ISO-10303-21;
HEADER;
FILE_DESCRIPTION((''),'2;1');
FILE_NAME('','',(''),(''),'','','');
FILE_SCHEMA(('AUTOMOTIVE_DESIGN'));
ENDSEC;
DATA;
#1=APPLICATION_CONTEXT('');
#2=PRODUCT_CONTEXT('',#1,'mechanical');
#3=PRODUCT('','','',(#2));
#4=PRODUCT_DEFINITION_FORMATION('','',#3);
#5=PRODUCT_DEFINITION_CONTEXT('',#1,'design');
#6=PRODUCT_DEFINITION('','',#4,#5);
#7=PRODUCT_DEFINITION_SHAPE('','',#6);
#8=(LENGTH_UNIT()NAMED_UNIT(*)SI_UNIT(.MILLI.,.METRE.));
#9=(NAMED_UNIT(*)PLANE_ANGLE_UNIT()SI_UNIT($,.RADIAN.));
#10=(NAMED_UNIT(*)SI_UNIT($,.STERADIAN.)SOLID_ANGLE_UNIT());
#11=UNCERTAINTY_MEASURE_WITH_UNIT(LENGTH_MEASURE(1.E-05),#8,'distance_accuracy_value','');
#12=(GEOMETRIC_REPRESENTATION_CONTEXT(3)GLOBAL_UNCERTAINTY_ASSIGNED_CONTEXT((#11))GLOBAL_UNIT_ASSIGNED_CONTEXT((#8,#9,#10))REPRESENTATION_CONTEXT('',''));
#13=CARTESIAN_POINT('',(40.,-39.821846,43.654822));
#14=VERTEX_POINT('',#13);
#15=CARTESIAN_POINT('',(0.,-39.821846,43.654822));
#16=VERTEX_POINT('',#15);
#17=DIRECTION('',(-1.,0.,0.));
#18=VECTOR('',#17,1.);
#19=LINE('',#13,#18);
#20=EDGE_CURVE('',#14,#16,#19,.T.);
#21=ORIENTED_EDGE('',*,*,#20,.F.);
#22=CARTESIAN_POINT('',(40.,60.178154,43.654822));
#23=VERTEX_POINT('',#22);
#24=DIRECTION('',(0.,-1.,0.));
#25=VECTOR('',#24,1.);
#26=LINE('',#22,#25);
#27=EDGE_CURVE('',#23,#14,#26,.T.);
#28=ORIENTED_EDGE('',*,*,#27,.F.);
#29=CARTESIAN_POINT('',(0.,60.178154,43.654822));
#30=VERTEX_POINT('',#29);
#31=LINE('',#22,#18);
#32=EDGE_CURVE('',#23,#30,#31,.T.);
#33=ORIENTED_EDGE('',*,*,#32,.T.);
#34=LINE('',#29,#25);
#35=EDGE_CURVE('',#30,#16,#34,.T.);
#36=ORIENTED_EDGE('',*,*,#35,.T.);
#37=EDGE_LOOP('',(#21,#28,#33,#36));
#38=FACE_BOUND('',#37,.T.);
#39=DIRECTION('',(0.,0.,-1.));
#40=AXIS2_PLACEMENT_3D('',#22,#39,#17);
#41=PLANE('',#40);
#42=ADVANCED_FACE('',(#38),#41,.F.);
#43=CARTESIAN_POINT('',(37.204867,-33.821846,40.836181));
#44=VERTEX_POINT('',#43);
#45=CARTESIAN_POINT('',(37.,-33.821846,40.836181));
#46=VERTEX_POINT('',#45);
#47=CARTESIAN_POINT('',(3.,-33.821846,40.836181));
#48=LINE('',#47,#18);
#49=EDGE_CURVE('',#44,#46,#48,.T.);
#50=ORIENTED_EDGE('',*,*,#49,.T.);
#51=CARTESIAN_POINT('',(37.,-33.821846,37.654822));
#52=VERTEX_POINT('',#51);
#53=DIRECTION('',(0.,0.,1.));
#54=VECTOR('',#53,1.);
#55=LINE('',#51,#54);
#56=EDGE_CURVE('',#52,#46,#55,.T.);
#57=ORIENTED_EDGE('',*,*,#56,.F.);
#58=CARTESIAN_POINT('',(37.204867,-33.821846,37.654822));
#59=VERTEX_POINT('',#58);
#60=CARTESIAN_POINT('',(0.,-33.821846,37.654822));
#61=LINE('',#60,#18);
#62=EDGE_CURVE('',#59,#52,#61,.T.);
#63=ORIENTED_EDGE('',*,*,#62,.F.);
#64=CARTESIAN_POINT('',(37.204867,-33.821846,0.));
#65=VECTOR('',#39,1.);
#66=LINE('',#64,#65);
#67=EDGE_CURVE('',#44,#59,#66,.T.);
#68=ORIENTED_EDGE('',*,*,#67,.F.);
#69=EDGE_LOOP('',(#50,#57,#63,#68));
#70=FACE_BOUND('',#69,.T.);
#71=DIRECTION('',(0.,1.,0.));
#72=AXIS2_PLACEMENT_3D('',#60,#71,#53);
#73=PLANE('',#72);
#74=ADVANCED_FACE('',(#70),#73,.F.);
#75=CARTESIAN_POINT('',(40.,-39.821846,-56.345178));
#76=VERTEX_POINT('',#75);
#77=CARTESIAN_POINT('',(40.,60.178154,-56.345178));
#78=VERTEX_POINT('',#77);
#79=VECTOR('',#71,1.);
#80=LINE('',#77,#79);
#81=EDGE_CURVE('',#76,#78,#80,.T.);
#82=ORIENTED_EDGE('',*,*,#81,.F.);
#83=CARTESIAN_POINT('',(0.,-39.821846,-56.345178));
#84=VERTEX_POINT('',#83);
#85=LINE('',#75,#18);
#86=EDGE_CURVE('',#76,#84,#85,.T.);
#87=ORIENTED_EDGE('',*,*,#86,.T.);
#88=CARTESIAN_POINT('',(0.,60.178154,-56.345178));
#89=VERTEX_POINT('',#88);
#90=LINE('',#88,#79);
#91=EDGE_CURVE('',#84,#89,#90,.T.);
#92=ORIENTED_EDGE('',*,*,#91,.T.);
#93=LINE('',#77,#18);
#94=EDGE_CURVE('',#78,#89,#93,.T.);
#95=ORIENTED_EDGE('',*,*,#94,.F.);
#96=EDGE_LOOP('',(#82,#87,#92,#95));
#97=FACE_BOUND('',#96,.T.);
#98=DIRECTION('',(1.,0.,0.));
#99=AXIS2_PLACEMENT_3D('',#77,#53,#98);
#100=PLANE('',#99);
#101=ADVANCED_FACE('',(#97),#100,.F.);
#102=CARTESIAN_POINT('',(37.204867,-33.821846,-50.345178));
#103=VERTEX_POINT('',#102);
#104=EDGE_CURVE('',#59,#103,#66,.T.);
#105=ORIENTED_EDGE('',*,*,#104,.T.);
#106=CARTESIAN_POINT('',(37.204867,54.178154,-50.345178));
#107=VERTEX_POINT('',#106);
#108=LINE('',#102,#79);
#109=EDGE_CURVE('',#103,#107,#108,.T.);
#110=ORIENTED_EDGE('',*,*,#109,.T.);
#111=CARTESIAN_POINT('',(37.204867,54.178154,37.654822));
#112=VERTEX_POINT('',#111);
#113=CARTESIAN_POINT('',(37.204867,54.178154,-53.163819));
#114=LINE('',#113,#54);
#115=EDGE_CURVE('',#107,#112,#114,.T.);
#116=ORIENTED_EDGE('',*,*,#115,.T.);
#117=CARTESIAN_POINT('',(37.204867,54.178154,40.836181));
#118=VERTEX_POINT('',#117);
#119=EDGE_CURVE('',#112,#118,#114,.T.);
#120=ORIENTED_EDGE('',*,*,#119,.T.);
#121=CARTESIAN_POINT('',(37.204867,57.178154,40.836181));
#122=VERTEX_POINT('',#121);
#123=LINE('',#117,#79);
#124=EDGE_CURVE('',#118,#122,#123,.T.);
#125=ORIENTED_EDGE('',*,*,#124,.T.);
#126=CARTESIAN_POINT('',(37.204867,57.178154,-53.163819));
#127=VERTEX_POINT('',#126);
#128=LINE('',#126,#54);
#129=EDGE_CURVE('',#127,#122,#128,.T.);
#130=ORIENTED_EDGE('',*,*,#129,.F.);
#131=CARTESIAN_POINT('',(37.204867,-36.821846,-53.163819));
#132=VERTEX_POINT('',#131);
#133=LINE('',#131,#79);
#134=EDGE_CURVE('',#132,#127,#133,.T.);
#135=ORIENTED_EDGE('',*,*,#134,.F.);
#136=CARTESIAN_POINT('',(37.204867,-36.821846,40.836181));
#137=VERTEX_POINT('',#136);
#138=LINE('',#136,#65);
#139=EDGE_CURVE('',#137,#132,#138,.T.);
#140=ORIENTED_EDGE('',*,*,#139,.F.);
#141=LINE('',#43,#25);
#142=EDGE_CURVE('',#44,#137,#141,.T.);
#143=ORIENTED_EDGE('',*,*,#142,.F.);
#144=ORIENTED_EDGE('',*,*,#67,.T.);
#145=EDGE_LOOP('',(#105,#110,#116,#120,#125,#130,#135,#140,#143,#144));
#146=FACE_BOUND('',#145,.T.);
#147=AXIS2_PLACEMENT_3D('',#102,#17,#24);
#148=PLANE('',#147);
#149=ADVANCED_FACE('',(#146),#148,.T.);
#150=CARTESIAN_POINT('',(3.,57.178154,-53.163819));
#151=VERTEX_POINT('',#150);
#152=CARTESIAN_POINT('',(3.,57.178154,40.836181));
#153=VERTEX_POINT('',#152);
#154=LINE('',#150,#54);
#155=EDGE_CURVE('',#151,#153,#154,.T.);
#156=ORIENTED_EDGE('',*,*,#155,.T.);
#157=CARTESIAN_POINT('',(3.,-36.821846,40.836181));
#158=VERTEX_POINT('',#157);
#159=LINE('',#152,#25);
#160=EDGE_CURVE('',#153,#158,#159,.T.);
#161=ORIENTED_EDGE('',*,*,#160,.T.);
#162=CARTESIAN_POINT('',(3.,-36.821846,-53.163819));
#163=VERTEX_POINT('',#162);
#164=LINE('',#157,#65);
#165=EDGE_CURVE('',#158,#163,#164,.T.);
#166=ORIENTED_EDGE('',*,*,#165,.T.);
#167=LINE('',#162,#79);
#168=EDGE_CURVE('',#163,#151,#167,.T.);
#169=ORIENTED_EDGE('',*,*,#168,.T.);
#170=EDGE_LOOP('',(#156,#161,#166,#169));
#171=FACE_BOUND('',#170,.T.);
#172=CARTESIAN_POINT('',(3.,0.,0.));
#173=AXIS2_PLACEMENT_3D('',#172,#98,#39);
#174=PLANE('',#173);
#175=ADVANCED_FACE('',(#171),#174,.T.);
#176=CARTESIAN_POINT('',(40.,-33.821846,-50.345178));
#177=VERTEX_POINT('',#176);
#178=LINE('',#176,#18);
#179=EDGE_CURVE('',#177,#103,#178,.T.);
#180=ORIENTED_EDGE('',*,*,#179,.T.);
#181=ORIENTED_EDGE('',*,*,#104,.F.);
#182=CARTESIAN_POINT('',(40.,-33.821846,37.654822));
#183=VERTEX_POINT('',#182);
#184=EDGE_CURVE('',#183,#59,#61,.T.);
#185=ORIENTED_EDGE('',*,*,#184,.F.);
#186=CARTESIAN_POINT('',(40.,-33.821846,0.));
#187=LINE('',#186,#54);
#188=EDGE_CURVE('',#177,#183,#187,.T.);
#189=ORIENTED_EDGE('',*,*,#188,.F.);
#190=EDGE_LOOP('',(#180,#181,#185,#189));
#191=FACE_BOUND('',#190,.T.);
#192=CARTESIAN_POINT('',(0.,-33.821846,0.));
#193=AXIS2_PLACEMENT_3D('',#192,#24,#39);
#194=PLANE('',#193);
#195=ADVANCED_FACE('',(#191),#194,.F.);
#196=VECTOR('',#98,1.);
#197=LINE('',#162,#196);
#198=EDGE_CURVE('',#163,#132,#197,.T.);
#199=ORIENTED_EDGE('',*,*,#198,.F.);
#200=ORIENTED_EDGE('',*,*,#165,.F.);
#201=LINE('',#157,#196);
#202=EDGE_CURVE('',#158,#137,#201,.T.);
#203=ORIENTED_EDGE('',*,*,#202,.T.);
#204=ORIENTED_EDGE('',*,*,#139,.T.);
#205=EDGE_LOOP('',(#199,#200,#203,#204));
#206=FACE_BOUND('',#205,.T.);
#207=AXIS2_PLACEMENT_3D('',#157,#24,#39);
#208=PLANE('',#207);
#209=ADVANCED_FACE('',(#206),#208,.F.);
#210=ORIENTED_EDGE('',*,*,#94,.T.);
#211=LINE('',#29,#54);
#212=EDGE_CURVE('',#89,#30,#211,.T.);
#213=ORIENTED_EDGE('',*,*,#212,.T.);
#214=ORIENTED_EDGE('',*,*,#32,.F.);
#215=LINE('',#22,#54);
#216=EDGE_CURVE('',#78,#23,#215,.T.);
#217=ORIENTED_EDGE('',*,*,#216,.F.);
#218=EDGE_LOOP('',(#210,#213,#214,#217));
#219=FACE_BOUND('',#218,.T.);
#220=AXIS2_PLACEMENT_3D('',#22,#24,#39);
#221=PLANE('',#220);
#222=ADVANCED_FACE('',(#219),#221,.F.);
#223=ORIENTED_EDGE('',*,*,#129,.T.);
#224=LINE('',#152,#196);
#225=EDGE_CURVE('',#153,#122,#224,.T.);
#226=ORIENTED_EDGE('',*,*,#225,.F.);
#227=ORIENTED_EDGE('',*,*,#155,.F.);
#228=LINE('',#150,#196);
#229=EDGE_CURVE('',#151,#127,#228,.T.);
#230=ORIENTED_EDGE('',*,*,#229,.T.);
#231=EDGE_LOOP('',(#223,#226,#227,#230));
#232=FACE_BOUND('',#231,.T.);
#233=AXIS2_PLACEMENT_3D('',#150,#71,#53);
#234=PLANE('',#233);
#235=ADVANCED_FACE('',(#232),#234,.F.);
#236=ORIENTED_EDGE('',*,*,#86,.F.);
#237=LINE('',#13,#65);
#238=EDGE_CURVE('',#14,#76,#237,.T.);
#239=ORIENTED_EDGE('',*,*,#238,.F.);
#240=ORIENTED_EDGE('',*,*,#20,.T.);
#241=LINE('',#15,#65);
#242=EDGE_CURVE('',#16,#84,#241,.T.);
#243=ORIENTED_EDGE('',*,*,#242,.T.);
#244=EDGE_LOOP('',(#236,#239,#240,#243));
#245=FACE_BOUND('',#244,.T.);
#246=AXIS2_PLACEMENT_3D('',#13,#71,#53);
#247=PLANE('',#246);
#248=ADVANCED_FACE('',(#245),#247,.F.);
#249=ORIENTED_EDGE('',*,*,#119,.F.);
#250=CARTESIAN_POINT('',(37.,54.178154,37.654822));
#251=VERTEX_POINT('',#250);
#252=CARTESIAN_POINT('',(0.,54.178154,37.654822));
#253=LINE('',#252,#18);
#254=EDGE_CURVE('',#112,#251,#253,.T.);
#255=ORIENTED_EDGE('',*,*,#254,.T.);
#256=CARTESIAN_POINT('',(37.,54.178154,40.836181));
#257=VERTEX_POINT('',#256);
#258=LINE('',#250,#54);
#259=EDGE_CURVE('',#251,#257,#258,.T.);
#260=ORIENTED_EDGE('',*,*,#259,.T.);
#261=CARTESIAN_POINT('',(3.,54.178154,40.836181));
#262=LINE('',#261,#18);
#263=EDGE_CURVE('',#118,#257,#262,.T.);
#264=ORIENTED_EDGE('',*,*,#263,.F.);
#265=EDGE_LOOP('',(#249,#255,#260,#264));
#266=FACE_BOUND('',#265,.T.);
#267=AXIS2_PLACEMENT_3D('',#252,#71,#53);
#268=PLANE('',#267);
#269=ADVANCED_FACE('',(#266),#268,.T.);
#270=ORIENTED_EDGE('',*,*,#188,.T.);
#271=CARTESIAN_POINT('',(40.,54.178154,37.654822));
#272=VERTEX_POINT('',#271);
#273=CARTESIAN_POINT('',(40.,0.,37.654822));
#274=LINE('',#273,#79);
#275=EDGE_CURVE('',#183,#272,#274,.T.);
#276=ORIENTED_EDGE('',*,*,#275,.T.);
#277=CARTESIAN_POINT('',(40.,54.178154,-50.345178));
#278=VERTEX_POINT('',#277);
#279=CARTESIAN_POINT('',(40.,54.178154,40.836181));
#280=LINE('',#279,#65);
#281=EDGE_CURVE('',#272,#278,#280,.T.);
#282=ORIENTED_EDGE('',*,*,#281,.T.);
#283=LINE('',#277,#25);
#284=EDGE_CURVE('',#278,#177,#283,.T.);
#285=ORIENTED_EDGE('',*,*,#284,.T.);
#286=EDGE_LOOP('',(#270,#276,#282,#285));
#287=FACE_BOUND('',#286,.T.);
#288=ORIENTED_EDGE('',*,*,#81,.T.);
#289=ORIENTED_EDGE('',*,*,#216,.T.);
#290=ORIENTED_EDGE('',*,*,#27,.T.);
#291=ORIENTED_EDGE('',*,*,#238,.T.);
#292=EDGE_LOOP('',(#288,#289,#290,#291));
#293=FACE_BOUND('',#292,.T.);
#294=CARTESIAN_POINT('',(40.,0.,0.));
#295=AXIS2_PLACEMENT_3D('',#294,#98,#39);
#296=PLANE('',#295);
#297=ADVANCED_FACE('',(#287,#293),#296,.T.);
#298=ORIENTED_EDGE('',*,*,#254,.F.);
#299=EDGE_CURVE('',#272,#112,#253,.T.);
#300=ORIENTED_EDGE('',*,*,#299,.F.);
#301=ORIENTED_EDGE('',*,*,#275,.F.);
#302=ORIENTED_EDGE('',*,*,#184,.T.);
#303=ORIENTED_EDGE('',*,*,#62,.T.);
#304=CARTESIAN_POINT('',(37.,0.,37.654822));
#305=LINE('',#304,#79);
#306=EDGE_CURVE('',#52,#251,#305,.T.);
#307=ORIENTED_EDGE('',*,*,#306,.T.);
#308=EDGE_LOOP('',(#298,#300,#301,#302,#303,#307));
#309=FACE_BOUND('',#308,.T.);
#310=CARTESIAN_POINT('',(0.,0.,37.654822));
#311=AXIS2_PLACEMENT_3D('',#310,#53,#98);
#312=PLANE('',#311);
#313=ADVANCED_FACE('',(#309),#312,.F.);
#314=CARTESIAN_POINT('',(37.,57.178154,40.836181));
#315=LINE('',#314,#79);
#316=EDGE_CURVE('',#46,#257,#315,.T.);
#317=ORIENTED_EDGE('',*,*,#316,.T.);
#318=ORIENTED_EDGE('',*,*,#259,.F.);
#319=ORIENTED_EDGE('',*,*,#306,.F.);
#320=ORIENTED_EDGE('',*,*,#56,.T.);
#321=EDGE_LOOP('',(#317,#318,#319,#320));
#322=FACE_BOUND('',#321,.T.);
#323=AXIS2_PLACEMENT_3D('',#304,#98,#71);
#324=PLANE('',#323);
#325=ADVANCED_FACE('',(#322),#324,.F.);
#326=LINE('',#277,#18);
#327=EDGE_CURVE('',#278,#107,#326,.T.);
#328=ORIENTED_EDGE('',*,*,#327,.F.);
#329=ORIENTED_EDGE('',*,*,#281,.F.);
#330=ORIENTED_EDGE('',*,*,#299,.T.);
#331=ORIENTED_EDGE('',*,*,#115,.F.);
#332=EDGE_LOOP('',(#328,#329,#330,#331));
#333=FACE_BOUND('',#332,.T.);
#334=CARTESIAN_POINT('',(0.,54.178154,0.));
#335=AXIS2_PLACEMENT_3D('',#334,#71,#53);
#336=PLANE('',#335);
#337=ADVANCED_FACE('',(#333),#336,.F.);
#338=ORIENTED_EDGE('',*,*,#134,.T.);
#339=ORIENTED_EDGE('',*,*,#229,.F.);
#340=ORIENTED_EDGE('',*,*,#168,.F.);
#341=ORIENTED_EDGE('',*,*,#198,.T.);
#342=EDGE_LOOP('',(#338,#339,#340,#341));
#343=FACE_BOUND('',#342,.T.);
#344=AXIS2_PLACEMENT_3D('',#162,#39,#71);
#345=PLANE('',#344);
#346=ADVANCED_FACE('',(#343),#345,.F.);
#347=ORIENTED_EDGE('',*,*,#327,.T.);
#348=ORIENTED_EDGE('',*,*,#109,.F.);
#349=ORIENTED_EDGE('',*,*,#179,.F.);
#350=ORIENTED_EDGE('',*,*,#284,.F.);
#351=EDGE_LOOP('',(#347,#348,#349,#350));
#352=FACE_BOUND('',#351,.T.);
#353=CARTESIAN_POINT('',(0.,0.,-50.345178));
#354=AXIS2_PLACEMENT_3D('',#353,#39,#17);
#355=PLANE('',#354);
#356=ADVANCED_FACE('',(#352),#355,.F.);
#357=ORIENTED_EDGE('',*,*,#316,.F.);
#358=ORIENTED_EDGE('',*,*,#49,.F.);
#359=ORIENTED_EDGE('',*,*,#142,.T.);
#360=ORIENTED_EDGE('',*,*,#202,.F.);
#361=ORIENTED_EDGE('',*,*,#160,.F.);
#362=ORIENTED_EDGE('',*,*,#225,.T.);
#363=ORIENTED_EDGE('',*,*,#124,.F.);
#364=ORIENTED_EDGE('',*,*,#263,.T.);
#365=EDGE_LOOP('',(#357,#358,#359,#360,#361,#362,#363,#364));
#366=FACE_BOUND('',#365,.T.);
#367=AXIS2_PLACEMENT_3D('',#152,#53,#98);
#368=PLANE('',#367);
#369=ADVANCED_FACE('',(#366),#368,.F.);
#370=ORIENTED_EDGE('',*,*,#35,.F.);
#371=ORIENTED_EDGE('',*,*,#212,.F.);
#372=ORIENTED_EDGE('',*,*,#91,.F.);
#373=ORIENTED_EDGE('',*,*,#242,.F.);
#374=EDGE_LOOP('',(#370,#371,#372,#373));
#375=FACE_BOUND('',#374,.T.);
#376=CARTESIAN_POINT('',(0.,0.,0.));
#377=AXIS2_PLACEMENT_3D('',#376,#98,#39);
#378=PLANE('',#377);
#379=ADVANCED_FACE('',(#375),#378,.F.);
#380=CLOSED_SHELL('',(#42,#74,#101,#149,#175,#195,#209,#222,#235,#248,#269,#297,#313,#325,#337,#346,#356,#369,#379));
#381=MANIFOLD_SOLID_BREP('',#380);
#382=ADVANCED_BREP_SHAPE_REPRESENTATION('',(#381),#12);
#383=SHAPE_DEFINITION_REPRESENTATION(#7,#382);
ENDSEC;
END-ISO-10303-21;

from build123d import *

# Parameters (mm, degrees)
SKETCH_1_W          = 100
SKETCH_1_H          = 100
EXTRUDE_1_DEPTH     = 40
SKETCH_36_W         = 94
SKETCH_36_H         = 94
CUT_EXTRUDE_2_DEPTH = 37
SKETCH_4_W          = 3
SKETCH_4_H          = 88
EXTRUDE_6_DEPTH     = 6
SKETCH_52_W         = 2.795133155
SKETCH_52_H         = 88
EXTRUDE_7_DEPTH     = 6
EXTRUDE_9_DEPTH     = 6
SKETCH_57_W         = 2.795133155
SKETCH_57_H         = 94
EXTRUDE_10_DEPTH    = 6


with BuildPart() as part:
    # 草图1 → 凸台-拉伸1 (new body)
    with BuildSketch(Plane(origin=(0, 0, 0), x_dir=(0, 0, -1), z_dir=(1, 0, 0))):
        with Locations((6.345177665, 10.178154254)):
            Rectangle(SKETCH_1_W, SKETCH_1_H)
    extrude(amount=EXTRUDE_1_DEPTH)

    # 草图36 → 切除-拉伸2 (cut)
    with BuildSketch(Plane(origin=(40, 0, 0), x_dir=(0, 0, -1), z_dir=(1, 0, 0))):
        with Locations((6.163819268, 10.178154254)):
            Rectangle(SKETCH_36_W, SKETCH_36_H)
    extrude(amount=-CUT_EXTRUDE_2_DEPTH, mode=Mode.SUBTRACT)

    # 草图4 → 凸台-拉伸6 (add)
    with BuildSketch(Plane.XY.offset(43.654822335)):
        with Locations((38.5, 10.178154254)):
            Rectangle(SKETCH_4_W, SKETCH_4_H)
    extrude(amount=-EXTRUDE_6_DEPTH)

    # 草图52 → 凸台-拉伸7 (add)
    with BuildSketch(Plane(origin=(0, 0, -56.345177665), x_dir=(-1, 0, 0), z_dir=(0, 0, -1))):
        with Locations((-38.602433422, 10.178154254)):
            Rectangle(SKETCH_52_W, SKETCH_52_H)
    extrude(amount=-EXTRUDE_7_DEPTH)

    # 草图56 → 凸台-拉伸9 (add)
    with BuildSketch(Plane.XZ.offset(39.821845746)):
        Polygon((40, 40.836180732), (37.204866845, 40.836180732), (37.204866845, -53.163819268), (40, -53.163819268), (40, -50.345177665), align=None)
    extrude(amount=-EXTRUDE_9_DEPTH)

    # 草图57 → 凸台-拉伸10 (add)
    with BuildSketch(Plane(origin=(0, 60.178154254, 0), x_dir=(1, 0, 0), z_dir=(0, 1, 0))):
        with Locations((38.602433422, 6.163819268)):
            Rectangle(SKETCH_57_W, SKETCH_57_H)
    extrude(amount=-EXTRUDE_10_DEPTH)


solid = part.part
